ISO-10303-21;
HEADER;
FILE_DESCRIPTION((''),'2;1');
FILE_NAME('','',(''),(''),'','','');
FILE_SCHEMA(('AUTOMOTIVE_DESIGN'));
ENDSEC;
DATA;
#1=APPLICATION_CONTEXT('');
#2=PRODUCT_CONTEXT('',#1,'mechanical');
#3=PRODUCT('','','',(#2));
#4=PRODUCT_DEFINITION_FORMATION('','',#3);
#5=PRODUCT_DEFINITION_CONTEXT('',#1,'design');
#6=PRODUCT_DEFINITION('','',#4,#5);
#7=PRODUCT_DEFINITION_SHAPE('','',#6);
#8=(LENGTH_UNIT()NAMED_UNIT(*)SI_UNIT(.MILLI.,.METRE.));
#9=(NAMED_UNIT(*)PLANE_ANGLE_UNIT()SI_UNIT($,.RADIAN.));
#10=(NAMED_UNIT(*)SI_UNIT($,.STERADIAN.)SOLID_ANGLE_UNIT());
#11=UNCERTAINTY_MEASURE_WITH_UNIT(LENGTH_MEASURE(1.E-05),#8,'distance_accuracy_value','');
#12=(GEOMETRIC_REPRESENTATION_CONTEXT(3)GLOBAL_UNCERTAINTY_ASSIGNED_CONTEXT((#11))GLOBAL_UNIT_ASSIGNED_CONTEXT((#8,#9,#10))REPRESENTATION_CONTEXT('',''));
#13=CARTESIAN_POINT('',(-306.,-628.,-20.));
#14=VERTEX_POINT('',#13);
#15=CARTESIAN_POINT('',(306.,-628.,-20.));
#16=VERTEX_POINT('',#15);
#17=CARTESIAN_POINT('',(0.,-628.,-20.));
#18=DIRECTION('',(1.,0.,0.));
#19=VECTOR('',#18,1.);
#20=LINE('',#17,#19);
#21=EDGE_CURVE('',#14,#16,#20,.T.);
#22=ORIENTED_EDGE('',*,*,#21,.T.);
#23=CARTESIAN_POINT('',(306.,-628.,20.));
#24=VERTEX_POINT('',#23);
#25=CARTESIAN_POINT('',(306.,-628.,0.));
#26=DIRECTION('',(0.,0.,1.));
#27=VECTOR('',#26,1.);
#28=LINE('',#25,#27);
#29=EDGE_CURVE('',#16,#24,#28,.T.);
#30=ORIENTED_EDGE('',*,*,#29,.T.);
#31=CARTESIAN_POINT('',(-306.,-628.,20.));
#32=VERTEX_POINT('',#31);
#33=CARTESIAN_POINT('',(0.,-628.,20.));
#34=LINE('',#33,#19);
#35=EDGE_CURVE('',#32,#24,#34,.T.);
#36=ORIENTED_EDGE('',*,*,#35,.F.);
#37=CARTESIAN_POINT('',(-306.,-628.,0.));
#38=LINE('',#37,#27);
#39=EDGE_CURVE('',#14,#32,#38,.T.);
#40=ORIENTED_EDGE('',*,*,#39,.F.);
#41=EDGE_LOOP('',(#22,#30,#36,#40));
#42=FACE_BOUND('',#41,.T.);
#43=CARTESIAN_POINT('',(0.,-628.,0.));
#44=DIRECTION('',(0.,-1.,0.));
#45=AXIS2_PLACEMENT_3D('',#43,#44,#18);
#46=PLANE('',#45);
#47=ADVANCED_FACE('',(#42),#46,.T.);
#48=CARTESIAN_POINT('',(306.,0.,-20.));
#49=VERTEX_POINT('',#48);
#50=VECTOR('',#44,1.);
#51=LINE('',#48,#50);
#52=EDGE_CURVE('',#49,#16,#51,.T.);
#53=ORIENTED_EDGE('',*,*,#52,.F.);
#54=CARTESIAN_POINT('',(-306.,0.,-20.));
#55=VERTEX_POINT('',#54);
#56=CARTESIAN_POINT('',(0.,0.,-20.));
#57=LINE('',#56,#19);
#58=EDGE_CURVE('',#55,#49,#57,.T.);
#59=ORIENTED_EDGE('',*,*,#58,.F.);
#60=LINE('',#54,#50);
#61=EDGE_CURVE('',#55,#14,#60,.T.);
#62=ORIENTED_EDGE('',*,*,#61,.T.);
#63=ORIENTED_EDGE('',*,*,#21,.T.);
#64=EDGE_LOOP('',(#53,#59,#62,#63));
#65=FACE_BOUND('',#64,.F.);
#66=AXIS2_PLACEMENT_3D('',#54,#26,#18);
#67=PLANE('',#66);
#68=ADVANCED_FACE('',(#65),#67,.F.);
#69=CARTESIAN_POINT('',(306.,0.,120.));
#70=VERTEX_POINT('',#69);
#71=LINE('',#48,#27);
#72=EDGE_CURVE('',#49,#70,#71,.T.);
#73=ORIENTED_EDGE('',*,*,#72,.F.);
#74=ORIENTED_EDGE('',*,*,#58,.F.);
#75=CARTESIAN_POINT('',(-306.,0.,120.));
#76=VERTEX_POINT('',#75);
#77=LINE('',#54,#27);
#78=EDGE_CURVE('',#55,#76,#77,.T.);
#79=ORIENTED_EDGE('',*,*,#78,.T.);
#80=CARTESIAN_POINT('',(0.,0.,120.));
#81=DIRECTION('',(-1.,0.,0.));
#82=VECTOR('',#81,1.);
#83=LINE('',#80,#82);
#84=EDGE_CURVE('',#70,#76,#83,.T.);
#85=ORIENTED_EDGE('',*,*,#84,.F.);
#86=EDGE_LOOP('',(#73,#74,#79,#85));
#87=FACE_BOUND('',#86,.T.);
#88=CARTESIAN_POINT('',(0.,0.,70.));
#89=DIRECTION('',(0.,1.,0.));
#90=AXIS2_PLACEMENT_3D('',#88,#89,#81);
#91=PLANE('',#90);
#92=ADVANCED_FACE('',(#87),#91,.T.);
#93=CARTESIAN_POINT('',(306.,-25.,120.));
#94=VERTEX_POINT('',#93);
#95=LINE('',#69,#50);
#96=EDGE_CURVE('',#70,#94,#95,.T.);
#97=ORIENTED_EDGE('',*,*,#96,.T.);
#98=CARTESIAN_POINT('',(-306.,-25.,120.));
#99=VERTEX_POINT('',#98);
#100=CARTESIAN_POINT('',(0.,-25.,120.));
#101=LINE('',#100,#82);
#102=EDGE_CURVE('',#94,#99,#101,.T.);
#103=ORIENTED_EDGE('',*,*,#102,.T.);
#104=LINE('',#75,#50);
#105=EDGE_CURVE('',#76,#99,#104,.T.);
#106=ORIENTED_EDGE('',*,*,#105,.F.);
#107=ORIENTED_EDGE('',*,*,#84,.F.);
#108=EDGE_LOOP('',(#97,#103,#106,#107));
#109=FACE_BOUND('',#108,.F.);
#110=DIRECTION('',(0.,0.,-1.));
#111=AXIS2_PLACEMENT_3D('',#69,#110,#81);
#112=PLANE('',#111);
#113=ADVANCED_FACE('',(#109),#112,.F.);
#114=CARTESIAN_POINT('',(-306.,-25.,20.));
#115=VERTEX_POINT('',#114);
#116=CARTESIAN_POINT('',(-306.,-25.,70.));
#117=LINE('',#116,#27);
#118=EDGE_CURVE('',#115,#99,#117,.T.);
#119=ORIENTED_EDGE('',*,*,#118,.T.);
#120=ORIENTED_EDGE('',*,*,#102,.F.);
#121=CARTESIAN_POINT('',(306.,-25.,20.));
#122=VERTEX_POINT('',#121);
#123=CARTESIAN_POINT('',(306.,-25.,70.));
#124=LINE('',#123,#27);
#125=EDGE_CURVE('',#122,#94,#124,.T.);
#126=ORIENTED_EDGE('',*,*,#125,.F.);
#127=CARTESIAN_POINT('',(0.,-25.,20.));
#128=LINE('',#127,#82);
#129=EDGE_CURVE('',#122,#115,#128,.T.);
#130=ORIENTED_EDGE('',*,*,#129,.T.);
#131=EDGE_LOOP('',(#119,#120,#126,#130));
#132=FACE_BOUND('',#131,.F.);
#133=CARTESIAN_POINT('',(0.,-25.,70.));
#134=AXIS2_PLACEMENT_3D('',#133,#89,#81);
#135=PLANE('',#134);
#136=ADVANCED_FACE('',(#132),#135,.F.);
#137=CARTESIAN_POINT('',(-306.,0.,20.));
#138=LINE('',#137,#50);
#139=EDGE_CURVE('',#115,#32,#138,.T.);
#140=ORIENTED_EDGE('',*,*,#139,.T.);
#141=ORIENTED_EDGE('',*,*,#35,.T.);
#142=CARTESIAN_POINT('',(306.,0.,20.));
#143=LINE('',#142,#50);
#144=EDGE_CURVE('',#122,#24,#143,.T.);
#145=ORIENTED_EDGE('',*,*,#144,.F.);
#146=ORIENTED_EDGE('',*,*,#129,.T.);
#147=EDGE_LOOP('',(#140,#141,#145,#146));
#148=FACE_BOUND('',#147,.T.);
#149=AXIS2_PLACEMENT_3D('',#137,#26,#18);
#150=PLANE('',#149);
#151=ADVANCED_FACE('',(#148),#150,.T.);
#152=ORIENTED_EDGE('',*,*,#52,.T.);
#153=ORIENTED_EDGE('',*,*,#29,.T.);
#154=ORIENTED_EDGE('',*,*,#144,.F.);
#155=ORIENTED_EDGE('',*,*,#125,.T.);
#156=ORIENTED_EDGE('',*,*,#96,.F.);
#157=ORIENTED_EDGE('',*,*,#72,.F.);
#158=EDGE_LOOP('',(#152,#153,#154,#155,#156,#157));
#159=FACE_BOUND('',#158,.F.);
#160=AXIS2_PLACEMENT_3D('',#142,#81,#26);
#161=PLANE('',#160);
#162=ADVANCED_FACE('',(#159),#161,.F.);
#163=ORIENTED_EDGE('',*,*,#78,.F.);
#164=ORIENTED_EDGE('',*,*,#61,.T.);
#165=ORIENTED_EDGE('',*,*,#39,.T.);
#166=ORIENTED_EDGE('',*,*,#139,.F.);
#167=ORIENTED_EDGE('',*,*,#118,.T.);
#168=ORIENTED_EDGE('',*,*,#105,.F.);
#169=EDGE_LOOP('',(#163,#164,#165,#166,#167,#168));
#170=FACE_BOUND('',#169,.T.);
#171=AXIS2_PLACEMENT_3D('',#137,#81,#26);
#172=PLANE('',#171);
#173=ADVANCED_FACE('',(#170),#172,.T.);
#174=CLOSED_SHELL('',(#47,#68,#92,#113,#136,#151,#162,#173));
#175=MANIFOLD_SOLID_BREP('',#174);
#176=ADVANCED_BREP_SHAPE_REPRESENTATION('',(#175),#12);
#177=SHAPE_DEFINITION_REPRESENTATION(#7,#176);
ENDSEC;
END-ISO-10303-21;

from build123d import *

# Parameters (mm, degrees)
F0_W     = 612
F0_H     = 40
F1_DEPTH = 628
F2_W     = 612
F2_H     = 100
F3_DEPTH = 25


with BuildPart() as f1:
    # F0 (on Front) → F1 (new body)
    with BuildSketch(Plane.XZ):
        Rectangle(F0_W, F0_H)
    extrude(amount=F1_DEPTH)

    # F2 (on face) → F3 (join)
    with BuildSketch(Plane(origin=(0, 0, 0), x_dir=(-1, 0, 0), z_dir=(0, 1, 0))):
        with Locations((0, 70)):
            Rectangle(F2_W, F2_H)
    extrude(amount=-F3_DEPTH)


solid = f1.part
